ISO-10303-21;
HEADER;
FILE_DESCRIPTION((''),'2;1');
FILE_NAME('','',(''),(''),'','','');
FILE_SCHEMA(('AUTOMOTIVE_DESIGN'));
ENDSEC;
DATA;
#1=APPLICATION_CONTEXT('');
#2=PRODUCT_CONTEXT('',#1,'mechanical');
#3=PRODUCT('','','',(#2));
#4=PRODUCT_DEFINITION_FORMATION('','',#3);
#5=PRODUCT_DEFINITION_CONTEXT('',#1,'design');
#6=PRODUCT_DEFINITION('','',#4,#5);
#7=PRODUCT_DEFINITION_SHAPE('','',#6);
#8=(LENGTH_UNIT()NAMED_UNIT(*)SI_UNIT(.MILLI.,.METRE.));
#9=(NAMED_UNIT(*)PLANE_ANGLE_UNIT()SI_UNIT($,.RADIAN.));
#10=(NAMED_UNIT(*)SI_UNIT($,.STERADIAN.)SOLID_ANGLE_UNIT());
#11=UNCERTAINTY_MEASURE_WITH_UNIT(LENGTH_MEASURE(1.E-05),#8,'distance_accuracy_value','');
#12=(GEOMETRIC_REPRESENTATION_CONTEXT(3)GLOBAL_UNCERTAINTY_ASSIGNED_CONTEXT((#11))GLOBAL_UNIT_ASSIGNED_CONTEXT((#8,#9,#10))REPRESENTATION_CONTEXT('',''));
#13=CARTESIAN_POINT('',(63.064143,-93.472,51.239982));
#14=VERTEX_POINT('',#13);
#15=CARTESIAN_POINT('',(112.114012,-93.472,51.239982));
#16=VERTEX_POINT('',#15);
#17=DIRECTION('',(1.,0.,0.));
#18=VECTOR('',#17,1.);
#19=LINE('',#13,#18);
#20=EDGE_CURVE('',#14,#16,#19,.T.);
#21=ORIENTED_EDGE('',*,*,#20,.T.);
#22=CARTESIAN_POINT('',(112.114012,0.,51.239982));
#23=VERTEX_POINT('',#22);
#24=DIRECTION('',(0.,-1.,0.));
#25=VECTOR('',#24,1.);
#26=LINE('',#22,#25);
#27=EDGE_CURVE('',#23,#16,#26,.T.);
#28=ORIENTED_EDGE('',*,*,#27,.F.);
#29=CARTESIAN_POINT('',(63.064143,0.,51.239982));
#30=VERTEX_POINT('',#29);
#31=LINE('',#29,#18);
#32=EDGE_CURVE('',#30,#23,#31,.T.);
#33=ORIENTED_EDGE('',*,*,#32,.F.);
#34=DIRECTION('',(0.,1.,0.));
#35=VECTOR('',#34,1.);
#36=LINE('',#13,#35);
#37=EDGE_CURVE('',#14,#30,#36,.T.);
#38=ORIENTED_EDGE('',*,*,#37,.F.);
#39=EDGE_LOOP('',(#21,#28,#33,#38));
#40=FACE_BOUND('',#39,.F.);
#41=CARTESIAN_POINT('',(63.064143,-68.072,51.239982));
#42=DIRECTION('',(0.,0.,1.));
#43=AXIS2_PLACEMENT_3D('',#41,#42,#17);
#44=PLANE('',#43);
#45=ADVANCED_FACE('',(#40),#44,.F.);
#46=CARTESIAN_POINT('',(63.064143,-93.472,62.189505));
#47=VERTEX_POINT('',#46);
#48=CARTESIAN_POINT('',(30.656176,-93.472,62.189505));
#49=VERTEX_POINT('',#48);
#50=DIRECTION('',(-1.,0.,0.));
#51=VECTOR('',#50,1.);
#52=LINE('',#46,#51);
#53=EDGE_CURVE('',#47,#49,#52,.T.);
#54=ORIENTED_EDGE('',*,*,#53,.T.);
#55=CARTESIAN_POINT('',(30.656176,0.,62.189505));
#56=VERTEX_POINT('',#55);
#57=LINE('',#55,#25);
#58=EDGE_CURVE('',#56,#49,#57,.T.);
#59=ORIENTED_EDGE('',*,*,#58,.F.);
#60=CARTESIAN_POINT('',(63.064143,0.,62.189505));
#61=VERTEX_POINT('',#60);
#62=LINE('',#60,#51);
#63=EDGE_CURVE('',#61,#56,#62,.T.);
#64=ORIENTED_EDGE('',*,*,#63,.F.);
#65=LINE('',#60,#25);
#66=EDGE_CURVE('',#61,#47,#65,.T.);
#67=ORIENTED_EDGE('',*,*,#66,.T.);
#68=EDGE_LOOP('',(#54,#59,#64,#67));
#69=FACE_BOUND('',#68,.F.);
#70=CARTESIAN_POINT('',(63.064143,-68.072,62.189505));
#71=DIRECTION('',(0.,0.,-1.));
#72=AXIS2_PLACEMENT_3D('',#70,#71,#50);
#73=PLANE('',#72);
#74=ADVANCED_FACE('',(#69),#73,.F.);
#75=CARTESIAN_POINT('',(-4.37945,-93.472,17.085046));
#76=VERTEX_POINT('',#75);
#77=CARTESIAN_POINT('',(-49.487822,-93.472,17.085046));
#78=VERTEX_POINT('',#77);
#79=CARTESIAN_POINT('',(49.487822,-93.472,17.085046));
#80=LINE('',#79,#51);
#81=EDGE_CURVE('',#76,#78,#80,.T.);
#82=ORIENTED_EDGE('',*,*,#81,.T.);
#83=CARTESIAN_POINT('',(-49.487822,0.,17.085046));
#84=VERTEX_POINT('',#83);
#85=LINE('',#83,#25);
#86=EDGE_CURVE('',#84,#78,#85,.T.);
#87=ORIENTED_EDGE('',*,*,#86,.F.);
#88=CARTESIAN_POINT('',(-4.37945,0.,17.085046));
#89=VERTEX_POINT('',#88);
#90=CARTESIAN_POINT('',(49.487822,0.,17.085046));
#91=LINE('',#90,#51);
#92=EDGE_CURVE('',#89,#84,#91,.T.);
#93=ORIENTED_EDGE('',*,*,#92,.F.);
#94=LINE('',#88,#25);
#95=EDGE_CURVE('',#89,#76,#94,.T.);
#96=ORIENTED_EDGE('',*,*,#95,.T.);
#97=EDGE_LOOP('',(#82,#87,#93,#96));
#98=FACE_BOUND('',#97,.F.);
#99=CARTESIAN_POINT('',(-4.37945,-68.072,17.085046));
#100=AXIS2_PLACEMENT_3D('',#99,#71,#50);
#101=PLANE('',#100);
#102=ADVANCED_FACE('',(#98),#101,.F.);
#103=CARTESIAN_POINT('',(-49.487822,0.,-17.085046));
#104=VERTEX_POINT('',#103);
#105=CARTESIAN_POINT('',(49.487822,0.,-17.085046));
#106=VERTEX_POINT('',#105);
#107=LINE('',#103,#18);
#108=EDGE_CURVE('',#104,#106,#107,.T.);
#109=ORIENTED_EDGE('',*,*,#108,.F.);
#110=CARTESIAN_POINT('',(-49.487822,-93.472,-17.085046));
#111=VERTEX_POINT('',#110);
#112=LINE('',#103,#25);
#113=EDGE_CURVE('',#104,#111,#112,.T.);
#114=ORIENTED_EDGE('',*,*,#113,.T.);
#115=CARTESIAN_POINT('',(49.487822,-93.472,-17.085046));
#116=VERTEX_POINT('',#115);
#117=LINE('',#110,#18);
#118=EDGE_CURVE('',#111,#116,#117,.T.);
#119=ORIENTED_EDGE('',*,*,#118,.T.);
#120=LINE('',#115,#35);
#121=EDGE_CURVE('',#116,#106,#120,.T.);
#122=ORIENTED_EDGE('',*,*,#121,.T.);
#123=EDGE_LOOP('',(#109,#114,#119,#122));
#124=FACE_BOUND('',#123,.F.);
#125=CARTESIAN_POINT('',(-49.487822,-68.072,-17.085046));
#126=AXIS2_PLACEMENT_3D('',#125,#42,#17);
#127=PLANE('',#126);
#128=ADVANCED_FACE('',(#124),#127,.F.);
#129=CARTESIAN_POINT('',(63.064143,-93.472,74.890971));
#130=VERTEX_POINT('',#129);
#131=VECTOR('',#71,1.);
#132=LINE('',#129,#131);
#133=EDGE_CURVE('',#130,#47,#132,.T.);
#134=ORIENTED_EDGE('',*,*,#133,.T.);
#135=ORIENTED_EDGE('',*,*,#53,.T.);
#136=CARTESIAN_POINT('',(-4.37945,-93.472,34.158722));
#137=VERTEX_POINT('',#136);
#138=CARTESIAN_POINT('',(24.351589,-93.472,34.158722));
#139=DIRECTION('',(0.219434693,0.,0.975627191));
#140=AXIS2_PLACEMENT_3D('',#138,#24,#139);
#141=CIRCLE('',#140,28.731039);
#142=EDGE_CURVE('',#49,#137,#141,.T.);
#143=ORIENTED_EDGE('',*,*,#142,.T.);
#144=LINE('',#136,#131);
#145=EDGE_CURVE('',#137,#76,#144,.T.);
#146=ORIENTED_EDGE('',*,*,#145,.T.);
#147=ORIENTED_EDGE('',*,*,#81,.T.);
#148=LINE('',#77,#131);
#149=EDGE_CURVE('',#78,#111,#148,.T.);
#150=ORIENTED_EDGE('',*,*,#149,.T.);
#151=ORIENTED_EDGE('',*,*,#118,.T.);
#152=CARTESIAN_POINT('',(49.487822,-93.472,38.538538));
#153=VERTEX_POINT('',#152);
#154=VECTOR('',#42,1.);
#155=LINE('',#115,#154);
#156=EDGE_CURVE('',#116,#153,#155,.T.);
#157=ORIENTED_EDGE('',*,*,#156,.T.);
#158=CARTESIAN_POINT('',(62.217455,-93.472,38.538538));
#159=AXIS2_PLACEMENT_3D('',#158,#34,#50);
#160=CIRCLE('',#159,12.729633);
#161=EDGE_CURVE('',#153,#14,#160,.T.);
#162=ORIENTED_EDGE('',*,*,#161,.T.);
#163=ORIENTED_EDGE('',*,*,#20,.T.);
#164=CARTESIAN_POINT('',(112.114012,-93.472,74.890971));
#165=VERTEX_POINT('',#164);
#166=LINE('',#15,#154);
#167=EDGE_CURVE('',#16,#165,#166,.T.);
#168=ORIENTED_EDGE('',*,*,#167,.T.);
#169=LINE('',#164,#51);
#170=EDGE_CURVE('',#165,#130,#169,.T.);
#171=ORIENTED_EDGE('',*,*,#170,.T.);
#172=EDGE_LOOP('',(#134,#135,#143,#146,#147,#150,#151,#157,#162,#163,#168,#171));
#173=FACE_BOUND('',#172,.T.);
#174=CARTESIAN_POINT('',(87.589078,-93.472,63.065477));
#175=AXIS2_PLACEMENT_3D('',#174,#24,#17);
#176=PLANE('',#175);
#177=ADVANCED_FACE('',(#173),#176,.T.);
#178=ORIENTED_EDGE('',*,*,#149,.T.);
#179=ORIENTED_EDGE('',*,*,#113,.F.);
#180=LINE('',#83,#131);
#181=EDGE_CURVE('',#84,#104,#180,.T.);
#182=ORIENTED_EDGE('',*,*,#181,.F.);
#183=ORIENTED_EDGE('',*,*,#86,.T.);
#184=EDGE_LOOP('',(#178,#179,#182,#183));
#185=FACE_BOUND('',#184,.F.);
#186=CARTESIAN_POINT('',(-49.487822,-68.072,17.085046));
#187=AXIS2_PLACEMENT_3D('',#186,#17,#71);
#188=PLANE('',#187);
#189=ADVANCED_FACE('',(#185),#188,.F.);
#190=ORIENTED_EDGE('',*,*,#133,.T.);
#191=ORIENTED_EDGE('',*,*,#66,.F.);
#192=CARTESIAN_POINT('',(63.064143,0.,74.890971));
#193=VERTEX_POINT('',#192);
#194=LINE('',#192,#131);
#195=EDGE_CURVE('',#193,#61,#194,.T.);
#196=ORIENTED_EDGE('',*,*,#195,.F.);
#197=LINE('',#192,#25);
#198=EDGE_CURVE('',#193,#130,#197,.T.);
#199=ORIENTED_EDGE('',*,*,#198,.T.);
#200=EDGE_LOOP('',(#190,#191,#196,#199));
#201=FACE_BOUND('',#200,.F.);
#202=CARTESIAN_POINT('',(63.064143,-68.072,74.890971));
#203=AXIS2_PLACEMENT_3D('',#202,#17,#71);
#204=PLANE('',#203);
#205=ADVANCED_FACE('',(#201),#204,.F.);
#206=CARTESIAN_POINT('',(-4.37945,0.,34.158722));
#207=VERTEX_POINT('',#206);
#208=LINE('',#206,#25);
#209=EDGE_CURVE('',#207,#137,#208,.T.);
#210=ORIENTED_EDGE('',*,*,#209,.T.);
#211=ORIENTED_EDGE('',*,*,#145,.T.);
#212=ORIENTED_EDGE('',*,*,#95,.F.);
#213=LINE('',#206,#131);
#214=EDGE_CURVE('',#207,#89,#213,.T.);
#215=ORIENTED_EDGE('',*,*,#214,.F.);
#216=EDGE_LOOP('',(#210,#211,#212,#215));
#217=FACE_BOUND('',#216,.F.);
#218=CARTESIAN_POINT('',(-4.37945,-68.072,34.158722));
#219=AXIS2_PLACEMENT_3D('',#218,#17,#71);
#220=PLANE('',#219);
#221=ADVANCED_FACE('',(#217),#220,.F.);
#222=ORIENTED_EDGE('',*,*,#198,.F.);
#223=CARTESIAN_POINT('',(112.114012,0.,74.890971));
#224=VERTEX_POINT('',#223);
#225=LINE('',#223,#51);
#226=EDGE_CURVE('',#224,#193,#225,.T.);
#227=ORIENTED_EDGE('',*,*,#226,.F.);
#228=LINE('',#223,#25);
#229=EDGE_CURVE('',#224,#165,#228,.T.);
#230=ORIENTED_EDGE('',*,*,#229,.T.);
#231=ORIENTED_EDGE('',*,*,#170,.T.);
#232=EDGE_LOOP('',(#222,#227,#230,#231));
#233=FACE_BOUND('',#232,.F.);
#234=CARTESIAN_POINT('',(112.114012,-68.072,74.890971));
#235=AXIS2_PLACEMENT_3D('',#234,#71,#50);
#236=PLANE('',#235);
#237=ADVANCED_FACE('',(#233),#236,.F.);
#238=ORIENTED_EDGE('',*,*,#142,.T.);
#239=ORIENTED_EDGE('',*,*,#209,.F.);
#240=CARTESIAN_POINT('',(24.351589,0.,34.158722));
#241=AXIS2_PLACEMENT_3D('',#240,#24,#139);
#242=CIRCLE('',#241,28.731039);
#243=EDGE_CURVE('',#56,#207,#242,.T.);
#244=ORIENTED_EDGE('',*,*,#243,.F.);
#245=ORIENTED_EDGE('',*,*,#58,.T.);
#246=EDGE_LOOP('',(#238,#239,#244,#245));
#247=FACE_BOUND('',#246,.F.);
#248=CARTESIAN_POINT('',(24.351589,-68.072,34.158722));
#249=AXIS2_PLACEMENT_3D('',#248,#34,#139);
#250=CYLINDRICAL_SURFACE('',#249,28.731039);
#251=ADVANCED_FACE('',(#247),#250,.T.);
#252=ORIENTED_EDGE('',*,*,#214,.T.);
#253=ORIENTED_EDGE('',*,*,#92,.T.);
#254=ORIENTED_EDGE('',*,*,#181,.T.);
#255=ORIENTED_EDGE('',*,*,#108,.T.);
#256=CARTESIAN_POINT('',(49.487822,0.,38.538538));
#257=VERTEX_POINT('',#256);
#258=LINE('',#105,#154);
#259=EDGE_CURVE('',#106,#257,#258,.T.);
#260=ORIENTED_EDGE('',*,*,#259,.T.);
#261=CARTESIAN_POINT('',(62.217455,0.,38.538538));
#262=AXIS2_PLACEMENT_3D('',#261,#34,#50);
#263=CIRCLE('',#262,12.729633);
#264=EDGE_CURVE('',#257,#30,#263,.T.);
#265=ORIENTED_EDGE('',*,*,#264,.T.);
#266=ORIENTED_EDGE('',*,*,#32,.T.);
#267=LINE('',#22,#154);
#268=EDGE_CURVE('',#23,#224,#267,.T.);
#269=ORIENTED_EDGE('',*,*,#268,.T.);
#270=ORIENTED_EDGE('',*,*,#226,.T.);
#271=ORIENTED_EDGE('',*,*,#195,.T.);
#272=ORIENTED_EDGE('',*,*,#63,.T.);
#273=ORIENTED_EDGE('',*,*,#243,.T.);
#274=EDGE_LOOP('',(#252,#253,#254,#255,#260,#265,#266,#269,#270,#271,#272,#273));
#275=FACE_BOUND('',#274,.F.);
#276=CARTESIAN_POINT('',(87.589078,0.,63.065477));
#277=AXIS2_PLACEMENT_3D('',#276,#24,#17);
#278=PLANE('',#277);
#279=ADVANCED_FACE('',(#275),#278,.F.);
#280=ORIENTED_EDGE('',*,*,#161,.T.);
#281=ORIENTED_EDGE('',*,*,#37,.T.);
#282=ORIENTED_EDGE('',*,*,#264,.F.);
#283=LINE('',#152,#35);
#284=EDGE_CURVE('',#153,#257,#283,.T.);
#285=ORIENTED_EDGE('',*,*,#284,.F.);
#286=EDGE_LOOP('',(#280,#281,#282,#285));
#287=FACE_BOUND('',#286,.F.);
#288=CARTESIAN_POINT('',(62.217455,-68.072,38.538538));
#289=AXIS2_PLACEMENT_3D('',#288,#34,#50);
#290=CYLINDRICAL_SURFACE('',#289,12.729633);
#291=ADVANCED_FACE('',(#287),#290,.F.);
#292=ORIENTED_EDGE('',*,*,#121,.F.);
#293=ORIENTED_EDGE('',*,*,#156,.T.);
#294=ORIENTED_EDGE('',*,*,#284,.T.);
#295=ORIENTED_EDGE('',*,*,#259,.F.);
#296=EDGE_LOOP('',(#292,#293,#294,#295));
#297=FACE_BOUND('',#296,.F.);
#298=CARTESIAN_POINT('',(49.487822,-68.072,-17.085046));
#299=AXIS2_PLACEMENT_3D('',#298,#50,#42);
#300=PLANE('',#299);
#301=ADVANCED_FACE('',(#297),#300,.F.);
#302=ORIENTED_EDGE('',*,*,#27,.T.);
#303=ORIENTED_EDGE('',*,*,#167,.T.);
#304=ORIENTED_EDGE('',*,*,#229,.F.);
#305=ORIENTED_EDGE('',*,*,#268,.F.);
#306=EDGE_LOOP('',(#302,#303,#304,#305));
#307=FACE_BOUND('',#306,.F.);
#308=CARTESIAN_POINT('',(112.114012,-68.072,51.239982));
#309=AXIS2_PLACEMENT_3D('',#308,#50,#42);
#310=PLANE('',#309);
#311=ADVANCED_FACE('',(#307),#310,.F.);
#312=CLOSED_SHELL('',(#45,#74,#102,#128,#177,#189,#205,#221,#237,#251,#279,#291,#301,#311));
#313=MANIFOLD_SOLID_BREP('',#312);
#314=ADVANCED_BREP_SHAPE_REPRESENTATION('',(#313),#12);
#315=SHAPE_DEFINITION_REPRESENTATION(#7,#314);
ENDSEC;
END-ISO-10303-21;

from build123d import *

# Parameters (mm, degrees)
F1_DEPTH = 68.072
F2_DEPTH = 25.4


with BuildPart() as f1:
    # F0 (on Front) → F1 (new body)
    with BuildSketch(Plane.XZ):
        Polygon((63.0641430616, 62.1895045042), (63.0641430616, 51.2399822474), (112.1140122414, 51.2399822474), (112.1140122414, 74.8909711838), (63.0641430616, 74.8909711838), align=None)
        Polygon((-49.4878217578, -17.0850455761), (49.4878217578, -17.0850455761), (49.4878217578, 17.0850455761), (-4.3794501107, 17.0850455761), (-49.4878217578, 17.0850455761), align=None)
        with BuildLine():
            Line((-4.3794501107, 17.0850455761), (49.4878217578, 17.0850455761))
            Line((49.4878217578, 17.0850455761), (49.4878217578, 38.5385379195))
            ThreePointArc((49.4878217578, 38.5385379195), (53.5207448585, 47.8342787205), (63.0641430616, 51.2399822474))
            Line((63.0641430616, 51.2399822474), (63.0641430616, 62.1895045042))
            Line((63.0641430616, 62.1895045042), (30.6561756879, 62.1895045042))
            ThreePointArc((30.6561756879, 62.1895045042), (6.4025600383, 56.5931809269), (-4.3794501107, 34.1587215662))
            Line((-4.3794501107, 34.1587215662), (-4.3794501107, 17.0850455761))
        make_face()
    extrude(amount=F1_DEPTH)

    # F2 (add): a face of the model
    f2_faces = [f1.faces().sort_by_distance(p)[0] for p in [
        (23.7821651341, -68.072, 24.4260783553),
    ]]
    extrude(f2_faces, amount=F2_DEPTH)


solid = f1.part
